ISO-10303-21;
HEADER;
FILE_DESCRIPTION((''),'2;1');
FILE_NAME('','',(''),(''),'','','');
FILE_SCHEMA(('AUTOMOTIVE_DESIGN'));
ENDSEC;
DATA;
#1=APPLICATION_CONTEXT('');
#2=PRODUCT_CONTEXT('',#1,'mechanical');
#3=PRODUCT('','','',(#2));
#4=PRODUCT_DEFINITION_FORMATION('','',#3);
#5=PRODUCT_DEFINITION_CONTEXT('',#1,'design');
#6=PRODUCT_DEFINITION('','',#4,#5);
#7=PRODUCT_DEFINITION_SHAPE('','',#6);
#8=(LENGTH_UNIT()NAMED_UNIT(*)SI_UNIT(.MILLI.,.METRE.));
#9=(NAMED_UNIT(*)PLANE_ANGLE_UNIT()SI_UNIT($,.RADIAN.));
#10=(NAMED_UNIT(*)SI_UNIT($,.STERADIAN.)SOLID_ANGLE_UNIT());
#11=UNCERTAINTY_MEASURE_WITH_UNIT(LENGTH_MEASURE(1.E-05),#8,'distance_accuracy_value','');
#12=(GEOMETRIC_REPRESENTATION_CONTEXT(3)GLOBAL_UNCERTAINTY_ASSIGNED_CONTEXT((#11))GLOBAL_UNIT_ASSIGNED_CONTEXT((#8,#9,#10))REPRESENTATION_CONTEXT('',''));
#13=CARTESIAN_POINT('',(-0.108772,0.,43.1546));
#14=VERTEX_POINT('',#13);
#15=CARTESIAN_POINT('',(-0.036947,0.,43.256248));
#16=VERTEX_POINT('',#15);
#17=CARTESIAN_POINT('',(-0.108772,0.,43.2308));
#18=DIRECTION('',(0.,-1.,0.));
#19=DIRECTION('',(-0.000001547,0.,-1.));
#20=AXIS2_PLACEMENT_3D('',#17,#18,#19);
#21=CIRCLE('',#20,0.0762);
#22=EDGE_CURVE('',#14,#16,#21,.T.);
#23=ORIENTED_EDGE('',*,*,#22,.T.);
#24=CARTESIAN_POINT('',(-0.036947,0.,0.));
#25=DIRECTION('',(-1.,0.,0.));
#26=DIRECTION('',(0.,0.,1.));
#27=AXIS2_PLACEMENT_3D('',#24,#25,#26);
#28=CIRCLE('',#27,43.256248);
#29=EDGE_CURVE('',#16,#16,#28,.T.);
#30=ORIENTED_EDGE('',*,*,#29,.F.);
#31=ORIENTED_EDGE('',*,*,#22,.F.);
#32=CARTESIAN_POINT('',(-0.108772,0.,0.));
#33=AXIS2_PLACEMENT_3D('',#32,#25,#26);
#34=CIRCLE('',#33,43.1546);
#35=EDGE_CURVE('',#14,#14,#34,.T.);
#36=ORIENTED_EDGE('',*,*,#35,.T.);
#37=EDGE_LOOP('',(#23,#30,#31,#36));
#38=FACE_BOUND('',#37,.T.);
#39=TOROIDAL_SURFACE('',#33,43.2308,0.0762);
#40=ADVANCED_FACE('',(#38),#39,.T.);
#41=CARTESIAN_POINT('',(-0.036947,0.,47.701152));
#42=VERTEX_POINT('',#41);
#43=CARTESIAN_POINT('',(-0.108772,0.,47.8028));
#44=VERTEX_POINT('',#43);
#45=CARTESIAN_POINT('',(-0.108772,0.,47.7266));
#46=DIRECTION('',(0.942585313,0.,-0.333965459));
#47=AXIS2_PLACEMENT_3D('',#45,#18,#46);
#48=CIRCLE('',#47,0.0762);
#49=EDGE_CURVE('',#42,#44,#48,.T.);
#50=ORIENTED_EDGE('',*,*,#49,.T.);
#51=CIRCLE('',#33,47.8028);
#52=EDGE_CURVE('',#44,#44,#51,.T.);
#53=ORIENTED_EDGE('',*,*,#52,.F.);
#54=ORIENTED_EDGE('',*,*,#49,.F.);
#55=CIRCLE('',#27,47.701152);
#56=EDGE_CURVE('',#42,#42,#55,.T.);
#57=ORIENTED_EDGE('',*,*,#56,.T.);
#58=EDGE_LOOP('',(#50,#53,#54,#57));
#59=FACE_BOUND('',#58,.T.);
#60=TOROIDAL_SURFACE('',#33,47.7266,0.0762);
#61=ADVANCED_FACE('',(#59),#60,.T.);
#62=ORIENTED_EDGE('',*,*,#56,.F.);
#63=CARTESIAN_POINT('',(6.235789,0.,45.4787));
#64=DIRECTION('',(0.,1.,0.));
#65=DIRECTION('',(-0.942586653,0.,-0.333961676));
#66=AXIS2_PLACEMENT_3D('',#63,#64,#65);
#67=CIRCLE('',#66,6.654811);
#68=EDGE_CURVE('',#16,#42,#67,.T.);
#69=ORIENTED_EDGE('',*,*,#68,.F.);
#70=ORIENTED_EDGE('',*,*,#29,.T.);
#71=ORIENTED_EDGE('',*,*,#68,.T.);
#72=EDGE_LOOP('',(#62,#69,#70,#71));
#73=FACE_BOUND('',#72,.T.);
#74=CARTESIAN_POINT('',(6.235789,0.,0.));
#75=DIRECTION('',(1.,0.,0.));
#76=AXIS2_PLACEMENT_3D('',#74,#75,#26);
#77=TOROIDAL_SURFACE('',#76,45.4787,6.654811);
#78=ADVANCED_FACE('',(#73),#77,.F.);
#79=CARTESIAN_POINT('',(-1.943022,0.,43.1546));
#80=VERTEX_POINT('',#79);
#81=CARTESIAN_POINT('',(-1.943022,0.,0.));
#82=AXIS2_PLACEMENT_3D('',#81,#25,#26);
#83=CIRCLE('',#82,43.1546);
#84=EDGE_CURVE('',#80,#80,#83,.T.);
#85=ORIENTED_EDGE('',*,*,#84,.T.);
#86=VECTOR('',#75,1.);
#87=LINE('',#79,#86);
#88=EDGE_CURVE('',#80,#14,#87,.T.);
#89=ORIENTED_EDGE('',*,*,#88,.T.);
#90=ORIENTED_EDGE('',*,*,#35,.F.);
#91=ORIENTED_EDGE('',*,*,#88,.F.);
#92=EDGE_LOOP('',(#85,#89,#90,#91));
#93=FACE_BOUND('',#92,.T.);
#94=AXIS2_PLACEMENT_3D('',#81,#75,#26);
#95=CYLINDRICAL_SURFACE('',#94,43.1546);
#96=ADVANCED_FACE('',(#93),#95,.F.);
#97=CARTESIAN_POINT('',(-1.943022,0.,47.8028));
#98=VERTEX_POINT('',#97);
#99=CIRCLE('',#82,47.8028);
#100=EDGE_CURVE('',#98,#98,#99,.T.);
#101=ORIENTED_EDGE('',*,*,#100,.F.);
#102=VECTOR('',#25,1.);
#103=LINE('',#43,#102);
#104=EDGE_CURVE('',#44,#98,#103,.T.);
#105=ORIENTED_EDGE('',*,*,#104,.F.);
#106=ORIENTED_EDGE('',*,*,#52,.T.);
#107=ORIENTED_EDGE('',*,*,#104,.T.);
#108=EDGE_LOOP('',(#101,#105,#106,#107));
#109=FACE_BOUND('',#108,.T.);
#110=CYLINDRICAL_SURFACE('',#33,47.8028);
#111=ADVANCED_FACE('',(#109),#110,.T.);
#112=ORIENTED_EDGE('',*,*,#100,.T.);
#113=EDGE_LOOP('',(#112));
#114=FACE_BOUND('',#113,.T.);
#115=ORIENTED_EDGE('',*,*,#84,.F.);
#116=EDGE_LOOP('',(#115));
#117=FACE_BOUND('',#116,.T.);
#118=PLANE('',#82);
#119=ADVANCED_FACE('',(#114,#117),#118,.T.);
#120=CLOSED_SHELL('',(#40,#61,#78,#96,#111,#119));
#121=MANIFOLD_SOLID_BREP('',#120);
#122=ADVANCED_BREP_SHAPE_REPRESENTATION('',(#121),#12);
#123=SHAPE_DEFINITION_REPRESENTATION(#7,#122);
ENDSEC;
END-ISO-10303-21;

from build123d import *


with BuildPart() as f1:
    # F0 (on Front) → F1 (revolve)
    with BuildSketch(Plane.XZ):
        with BuildLine():
            ThreePointArc((-0.036947, 47.701152), (-0.04654, 47.770573), (-0.108772, 47.8028))
            Line((-0.108772, 47.8028), (-1.943022, 47.8028))
            Line((-1.943022, 47.8028), (-1.943022, 43.1546))
            Line((-1.943022, 43.1546), (-0.108772, 43.1546))
            ThreePointArc((-0.108772, 43.1546), (-0.04654, 43.186827), (-0.036947, 43.256248))
            ThreePointArc((-0.036947, 43.256248), (-0.419022, 45.4787), (-0.036947, 47.701152))
        make_face()
    revolve(axis=Axis((-3.079263, 0, 0), (-1, 0, 0)))


solid = f1.part
